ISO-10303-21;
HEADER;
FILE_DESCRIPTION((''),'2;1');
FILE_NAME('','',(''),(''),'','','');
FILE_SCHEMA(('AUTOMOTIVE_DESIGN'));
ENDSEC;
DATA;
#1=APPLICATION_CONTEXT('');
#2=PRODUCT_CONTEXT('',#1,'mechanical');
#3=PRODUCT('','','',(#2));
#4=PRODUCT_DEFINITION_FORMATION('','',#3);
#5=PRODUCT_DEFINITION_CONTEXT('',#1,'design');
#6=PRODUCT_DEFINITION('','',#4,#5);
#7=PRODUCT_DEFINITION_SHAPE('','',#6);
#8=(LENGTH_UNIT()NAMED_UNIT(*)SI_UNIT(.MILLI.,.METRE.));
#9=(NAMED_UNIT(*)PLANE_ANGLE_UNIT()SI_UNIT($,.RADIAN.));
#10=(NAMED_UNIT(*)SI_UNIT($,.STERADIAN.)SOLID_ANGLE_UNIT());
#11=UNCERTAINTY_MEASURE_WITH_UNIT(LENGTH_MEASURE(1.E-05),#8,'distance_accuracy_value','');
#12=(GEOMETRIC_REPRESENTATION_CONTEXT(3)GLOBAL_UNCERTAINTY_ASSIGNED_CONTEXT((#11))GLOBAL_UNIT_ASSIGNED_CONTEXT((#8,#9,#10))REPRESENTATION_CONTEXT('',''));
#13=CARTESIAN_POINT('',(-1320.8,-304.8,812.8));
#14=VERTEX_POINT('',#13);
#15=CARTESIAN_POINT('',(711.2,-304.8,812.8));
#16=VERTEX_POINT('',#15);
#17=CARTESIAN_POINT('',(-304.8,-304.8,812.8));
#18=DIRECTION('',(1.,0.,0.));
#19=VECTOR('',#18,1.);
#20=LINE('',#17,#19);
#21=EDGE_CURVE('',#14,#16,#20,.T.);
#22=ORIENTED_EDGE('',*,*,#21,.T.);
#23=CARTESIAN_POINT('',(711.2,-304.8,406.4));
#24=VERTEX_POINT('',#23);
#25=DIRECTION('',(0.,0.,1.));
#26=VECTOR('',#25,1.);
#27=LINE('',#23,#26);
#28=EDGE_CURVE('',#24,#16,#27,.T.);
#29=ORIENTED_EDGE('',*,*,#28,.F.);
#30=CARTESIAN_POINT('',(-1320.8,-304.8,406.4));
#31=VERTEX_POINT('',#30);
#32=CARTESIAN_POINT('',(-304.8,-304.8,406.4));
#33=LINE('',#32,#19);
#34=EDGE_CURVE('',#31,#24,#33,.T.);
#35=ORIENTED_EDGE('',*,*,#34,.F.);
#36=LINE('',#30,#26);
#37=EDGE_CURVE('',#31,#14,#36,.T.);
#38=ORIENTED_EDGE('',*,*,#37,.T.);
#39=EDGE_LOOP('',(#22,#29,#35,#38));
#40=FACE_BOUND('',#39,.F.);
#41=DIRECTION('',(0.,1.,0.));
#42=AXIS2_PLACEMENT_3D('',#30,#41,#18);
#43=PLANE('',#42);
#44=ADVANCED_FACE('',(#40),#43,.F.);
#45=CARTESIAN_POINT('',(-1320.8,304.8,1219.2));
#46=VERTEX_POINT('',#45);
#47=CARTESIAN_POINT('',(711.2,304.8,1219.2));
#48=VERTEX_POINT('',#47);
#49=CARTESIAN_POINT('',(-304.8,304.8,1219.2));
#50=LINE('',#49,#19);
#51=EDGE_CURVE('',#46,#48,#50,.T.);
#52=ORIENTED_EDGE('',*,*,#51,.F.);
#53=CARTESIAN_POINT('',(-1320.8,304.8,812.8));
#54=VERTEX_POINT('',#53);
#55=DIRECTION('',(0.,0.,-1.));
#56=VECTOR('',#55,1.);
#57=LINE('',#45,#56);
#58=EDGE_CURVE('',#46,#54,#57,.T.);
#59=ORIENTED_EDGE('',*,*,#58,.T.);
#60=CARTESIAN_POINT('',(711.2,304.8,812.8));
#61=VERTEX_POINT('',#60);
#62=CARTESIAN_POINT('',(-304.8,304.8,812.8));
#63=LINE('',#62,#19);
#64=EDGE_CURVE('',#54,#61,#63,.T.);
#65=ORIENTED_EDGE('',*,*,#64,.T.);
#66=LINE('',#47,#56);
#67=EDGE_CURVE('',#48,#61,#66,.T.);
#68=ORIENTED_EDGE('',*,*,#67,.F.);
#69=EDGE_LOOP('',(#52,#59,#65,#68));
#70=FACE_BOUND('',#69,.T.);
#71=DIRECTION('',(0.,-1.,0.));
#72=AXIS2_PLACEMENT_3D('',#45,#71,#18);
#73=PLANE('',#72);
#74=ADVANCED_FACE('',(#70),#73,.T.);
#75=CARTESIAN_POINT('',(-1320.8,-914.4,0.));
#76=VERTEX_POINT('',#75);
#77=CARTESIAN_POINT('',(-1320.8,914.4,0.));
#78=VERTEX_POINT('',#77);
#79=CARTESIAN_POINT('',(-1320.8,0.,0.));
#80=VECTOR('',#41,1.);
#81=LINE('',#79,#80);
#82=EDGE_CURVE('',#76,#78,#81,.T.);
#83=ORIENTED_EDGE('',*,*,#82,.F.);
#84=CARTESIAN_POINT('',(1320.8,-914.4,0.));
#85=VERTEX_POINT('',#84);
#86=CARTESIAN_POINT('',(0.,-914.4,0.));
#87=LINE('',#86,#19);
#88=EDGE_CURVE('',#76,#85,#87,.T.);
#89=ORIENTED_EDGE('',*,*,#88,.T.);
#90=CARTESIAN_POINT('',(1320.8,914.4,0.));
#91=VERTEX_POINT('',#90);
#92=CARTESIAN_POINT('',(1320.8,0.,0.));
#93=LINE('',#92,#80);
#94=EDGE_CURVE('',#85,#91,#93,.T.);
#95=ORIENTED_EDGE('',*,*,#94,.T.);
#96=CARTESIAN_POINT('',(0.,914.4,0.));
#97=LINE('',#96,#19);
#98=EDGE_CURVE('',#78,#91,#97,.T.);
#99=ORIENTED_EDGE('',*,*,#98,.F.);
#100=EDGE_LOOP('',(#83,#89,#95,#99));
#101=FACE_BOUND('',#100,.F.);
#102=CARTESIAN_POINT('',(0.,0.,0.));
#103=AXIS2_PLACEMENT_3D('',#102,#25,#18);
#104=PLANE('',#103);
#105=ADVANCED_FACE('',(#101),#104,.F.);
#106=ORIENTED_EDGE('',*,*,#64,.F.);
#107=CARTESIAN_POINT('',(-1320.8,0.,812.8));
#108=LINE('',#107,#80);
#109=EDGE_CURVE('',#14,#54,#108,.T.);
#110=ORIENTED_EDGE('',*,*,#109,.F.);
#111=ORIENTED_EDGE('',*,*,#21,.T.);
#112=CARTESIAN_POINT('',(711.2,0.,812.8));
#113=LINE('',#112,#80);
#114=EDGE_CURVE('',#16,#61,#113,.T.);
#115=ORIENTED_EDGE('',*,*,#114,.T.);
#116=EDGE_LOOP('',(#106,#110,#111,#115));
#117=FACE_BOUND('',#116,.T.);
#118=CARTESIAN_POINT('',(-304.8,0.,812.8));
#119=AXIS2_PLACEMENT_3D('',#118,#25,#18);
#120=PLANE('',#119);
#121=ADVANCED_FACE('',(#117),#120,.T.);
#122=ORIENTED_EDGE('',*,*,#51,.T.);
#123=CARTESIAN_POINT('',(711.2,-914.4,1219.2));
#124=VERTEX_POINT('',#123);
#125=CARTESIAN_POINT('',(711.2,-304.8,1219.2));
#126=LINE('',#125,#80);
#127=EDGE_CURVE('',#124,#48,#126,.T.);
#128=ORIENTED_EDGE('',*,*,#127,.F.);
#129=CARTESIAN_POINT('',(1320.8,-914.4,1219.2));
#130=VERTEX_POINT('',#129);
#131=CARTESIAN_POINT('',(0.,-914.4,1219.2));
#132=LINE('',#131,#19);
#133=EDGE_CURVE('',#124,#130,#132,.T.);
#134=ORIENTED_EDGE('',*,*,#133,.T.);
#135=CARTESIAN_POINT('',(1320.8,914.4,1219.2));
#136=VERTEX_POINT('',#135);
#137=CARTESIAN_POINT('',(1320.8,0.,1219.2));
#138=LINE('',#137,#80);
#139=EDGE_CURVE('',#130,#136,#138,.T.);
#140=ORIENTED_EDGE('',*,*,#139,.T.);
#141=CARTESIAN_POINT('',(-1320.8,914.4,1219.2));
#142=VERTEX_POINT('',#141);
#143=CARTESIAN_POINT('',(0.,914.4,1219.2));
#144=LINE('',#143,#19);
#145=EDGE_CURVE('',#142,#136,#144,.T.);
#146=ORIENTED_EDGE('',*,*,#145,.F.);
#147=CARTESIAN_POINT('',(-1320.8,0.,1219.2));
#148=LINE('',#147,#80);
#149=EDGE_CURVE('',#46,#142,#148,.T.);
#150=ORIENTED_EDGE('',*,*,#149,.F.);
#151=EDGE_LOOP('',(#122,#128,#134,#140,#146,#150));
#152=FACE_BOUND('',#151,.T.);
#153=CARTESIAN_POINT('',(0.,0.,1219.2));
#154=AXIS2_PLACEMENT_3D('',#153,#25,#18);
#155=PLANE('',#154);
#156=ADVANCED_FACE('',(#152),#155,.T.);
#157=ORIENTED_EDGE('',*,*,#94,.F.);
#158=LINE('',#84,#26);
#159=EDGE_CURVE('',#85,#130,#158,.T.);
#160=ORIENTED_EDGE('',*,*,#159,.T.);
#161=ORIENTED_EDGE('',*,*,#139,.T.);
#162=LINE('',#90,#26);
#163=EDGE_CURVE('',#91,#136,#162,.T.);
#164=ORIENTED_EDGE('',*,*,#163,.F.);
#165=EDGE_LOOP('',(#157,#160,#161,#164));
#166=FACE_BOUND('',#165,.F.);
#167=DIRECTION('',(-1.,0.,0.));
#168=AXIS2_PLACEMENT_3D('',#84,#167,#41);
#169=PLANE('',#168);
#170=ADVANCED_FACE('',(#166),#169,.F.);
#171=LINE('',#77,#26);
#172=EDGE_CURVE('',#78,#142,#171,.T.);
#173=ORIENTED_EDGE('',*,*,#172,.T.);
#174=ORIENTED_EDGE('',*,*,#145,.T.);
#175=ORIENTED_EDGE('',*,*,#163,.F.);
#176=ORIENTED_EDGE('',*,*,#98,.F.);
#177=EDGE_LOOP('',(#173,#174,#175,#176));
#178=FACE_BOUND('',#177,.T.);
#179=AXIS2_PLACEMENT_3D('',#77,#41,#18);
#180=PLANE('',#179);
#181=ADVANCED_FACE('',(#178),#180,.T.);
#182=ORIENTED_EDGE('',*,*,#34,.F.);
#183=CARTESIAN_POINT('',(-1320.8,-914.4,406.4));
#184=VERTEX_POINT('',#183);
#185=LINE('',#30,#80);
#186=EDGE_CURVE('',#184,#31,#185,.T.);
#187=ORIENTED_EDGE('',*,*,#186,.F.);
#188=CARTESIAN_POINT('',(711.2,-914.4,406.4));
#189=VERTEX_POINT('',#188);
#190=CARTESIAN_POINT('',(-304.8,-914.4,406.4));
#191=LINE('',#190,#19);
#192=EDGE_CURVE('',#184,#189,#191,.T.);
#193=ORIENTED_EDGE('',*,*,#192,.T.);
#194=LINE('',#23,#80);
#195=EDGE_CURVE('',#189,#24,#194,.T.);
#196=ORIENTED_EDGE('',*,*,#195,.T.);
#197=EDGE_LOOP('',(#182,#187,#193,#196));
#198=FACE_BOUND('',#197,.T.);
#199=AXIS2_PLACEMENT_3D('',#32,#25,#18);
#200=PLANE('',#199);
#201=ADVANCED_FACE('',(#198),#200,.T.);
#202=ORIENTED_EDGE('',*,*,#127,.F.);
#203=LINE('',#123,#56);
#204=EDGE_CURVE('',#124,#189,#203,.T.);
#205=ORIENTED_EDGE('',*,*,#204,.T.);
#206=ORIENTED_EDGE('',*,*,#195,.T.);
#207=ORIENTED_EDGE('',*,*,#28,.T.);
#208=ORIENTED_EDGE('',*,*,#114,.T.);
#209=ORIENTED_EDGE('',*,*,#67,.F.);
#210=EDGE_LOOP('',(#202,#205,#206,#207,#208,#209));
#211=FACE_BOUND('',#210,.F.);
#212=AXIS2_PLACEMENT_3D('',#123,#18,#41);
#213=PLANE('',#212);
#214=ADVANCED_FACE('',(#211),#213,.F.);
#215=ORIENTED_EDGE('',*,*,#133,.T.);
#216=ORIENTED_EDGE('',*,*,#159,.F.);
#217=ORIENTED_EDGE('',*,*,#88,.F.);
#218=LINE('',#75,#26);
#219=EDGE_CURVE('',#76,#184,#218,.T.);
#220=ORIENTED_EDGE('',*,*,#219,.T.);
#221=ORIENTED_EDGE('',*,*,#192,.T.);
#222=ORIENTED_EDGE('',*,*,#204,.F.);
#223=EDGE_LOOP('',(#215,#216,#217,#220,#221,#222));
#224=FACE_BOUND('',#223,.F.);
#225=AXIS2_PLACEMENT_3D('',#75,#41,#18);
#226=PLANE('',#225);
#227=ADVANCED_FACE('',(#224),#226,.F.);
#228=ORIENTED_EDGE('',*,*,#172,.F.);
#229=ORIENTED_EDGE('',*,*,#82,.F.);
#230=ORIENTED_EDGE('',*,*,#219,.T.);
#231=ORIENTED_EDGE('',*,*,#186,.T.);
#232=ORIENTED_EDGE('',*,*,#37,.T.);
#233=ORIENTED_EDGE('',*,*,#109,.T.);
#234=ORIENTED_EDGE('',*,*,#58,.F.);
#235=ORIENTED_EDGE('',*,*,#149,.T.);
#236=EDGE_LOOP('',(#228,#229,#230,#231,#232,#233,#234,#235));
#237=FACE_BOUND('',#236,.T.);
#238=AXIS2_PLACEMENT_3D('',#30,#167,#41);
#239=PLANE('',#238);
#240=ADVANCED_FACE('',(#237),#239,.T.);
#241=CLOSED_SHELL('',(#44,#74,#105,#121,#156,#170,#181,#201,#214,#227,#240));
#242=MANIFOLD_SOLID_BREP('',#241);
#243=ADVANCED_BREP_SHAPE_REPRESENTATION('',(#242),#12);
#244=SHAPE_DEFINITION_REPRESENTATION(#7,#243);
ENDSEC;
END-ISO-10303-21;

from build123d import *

# Parameters (mm, degrees)
F0_W     = 2641.6
F0_H     = 1828.8
F1_DEPTH = 1219.2
F2_W     = 2032
F2_H     = 1219.2
F3_DEPTH = 812.8
F4_W     = 2032
F4_H     = 609.6
F5_DEPTH = 406.4


with BuildPart() as f1:
    # F0 (on Top) → F1 (new body)
    with BuildSketch(Plane.XY):
        Rectangle(F0_W, F0_H)
    extrude(amount=F1_DEPTH)

    # F2 (on face) → F3 (cut)
    with BuildSketch(Plane.XY.offset(1219.2)):
        with Locations((-304.8, -304.8)):
            Rectangle(F2_W, F2_H)
    extrude(amount=-F3_DEPTH, mode=Mode.SUBTRACT)

    # F4 (on face) → F5 (join)
    with BuildSketch(Plane.XY.offset(406.4)):
        with Locations((-304.8, 0)):
            Rectangle(F4_W, F4_H)
    extrude(amount=F5_DEPTH)


solid = f1.part
